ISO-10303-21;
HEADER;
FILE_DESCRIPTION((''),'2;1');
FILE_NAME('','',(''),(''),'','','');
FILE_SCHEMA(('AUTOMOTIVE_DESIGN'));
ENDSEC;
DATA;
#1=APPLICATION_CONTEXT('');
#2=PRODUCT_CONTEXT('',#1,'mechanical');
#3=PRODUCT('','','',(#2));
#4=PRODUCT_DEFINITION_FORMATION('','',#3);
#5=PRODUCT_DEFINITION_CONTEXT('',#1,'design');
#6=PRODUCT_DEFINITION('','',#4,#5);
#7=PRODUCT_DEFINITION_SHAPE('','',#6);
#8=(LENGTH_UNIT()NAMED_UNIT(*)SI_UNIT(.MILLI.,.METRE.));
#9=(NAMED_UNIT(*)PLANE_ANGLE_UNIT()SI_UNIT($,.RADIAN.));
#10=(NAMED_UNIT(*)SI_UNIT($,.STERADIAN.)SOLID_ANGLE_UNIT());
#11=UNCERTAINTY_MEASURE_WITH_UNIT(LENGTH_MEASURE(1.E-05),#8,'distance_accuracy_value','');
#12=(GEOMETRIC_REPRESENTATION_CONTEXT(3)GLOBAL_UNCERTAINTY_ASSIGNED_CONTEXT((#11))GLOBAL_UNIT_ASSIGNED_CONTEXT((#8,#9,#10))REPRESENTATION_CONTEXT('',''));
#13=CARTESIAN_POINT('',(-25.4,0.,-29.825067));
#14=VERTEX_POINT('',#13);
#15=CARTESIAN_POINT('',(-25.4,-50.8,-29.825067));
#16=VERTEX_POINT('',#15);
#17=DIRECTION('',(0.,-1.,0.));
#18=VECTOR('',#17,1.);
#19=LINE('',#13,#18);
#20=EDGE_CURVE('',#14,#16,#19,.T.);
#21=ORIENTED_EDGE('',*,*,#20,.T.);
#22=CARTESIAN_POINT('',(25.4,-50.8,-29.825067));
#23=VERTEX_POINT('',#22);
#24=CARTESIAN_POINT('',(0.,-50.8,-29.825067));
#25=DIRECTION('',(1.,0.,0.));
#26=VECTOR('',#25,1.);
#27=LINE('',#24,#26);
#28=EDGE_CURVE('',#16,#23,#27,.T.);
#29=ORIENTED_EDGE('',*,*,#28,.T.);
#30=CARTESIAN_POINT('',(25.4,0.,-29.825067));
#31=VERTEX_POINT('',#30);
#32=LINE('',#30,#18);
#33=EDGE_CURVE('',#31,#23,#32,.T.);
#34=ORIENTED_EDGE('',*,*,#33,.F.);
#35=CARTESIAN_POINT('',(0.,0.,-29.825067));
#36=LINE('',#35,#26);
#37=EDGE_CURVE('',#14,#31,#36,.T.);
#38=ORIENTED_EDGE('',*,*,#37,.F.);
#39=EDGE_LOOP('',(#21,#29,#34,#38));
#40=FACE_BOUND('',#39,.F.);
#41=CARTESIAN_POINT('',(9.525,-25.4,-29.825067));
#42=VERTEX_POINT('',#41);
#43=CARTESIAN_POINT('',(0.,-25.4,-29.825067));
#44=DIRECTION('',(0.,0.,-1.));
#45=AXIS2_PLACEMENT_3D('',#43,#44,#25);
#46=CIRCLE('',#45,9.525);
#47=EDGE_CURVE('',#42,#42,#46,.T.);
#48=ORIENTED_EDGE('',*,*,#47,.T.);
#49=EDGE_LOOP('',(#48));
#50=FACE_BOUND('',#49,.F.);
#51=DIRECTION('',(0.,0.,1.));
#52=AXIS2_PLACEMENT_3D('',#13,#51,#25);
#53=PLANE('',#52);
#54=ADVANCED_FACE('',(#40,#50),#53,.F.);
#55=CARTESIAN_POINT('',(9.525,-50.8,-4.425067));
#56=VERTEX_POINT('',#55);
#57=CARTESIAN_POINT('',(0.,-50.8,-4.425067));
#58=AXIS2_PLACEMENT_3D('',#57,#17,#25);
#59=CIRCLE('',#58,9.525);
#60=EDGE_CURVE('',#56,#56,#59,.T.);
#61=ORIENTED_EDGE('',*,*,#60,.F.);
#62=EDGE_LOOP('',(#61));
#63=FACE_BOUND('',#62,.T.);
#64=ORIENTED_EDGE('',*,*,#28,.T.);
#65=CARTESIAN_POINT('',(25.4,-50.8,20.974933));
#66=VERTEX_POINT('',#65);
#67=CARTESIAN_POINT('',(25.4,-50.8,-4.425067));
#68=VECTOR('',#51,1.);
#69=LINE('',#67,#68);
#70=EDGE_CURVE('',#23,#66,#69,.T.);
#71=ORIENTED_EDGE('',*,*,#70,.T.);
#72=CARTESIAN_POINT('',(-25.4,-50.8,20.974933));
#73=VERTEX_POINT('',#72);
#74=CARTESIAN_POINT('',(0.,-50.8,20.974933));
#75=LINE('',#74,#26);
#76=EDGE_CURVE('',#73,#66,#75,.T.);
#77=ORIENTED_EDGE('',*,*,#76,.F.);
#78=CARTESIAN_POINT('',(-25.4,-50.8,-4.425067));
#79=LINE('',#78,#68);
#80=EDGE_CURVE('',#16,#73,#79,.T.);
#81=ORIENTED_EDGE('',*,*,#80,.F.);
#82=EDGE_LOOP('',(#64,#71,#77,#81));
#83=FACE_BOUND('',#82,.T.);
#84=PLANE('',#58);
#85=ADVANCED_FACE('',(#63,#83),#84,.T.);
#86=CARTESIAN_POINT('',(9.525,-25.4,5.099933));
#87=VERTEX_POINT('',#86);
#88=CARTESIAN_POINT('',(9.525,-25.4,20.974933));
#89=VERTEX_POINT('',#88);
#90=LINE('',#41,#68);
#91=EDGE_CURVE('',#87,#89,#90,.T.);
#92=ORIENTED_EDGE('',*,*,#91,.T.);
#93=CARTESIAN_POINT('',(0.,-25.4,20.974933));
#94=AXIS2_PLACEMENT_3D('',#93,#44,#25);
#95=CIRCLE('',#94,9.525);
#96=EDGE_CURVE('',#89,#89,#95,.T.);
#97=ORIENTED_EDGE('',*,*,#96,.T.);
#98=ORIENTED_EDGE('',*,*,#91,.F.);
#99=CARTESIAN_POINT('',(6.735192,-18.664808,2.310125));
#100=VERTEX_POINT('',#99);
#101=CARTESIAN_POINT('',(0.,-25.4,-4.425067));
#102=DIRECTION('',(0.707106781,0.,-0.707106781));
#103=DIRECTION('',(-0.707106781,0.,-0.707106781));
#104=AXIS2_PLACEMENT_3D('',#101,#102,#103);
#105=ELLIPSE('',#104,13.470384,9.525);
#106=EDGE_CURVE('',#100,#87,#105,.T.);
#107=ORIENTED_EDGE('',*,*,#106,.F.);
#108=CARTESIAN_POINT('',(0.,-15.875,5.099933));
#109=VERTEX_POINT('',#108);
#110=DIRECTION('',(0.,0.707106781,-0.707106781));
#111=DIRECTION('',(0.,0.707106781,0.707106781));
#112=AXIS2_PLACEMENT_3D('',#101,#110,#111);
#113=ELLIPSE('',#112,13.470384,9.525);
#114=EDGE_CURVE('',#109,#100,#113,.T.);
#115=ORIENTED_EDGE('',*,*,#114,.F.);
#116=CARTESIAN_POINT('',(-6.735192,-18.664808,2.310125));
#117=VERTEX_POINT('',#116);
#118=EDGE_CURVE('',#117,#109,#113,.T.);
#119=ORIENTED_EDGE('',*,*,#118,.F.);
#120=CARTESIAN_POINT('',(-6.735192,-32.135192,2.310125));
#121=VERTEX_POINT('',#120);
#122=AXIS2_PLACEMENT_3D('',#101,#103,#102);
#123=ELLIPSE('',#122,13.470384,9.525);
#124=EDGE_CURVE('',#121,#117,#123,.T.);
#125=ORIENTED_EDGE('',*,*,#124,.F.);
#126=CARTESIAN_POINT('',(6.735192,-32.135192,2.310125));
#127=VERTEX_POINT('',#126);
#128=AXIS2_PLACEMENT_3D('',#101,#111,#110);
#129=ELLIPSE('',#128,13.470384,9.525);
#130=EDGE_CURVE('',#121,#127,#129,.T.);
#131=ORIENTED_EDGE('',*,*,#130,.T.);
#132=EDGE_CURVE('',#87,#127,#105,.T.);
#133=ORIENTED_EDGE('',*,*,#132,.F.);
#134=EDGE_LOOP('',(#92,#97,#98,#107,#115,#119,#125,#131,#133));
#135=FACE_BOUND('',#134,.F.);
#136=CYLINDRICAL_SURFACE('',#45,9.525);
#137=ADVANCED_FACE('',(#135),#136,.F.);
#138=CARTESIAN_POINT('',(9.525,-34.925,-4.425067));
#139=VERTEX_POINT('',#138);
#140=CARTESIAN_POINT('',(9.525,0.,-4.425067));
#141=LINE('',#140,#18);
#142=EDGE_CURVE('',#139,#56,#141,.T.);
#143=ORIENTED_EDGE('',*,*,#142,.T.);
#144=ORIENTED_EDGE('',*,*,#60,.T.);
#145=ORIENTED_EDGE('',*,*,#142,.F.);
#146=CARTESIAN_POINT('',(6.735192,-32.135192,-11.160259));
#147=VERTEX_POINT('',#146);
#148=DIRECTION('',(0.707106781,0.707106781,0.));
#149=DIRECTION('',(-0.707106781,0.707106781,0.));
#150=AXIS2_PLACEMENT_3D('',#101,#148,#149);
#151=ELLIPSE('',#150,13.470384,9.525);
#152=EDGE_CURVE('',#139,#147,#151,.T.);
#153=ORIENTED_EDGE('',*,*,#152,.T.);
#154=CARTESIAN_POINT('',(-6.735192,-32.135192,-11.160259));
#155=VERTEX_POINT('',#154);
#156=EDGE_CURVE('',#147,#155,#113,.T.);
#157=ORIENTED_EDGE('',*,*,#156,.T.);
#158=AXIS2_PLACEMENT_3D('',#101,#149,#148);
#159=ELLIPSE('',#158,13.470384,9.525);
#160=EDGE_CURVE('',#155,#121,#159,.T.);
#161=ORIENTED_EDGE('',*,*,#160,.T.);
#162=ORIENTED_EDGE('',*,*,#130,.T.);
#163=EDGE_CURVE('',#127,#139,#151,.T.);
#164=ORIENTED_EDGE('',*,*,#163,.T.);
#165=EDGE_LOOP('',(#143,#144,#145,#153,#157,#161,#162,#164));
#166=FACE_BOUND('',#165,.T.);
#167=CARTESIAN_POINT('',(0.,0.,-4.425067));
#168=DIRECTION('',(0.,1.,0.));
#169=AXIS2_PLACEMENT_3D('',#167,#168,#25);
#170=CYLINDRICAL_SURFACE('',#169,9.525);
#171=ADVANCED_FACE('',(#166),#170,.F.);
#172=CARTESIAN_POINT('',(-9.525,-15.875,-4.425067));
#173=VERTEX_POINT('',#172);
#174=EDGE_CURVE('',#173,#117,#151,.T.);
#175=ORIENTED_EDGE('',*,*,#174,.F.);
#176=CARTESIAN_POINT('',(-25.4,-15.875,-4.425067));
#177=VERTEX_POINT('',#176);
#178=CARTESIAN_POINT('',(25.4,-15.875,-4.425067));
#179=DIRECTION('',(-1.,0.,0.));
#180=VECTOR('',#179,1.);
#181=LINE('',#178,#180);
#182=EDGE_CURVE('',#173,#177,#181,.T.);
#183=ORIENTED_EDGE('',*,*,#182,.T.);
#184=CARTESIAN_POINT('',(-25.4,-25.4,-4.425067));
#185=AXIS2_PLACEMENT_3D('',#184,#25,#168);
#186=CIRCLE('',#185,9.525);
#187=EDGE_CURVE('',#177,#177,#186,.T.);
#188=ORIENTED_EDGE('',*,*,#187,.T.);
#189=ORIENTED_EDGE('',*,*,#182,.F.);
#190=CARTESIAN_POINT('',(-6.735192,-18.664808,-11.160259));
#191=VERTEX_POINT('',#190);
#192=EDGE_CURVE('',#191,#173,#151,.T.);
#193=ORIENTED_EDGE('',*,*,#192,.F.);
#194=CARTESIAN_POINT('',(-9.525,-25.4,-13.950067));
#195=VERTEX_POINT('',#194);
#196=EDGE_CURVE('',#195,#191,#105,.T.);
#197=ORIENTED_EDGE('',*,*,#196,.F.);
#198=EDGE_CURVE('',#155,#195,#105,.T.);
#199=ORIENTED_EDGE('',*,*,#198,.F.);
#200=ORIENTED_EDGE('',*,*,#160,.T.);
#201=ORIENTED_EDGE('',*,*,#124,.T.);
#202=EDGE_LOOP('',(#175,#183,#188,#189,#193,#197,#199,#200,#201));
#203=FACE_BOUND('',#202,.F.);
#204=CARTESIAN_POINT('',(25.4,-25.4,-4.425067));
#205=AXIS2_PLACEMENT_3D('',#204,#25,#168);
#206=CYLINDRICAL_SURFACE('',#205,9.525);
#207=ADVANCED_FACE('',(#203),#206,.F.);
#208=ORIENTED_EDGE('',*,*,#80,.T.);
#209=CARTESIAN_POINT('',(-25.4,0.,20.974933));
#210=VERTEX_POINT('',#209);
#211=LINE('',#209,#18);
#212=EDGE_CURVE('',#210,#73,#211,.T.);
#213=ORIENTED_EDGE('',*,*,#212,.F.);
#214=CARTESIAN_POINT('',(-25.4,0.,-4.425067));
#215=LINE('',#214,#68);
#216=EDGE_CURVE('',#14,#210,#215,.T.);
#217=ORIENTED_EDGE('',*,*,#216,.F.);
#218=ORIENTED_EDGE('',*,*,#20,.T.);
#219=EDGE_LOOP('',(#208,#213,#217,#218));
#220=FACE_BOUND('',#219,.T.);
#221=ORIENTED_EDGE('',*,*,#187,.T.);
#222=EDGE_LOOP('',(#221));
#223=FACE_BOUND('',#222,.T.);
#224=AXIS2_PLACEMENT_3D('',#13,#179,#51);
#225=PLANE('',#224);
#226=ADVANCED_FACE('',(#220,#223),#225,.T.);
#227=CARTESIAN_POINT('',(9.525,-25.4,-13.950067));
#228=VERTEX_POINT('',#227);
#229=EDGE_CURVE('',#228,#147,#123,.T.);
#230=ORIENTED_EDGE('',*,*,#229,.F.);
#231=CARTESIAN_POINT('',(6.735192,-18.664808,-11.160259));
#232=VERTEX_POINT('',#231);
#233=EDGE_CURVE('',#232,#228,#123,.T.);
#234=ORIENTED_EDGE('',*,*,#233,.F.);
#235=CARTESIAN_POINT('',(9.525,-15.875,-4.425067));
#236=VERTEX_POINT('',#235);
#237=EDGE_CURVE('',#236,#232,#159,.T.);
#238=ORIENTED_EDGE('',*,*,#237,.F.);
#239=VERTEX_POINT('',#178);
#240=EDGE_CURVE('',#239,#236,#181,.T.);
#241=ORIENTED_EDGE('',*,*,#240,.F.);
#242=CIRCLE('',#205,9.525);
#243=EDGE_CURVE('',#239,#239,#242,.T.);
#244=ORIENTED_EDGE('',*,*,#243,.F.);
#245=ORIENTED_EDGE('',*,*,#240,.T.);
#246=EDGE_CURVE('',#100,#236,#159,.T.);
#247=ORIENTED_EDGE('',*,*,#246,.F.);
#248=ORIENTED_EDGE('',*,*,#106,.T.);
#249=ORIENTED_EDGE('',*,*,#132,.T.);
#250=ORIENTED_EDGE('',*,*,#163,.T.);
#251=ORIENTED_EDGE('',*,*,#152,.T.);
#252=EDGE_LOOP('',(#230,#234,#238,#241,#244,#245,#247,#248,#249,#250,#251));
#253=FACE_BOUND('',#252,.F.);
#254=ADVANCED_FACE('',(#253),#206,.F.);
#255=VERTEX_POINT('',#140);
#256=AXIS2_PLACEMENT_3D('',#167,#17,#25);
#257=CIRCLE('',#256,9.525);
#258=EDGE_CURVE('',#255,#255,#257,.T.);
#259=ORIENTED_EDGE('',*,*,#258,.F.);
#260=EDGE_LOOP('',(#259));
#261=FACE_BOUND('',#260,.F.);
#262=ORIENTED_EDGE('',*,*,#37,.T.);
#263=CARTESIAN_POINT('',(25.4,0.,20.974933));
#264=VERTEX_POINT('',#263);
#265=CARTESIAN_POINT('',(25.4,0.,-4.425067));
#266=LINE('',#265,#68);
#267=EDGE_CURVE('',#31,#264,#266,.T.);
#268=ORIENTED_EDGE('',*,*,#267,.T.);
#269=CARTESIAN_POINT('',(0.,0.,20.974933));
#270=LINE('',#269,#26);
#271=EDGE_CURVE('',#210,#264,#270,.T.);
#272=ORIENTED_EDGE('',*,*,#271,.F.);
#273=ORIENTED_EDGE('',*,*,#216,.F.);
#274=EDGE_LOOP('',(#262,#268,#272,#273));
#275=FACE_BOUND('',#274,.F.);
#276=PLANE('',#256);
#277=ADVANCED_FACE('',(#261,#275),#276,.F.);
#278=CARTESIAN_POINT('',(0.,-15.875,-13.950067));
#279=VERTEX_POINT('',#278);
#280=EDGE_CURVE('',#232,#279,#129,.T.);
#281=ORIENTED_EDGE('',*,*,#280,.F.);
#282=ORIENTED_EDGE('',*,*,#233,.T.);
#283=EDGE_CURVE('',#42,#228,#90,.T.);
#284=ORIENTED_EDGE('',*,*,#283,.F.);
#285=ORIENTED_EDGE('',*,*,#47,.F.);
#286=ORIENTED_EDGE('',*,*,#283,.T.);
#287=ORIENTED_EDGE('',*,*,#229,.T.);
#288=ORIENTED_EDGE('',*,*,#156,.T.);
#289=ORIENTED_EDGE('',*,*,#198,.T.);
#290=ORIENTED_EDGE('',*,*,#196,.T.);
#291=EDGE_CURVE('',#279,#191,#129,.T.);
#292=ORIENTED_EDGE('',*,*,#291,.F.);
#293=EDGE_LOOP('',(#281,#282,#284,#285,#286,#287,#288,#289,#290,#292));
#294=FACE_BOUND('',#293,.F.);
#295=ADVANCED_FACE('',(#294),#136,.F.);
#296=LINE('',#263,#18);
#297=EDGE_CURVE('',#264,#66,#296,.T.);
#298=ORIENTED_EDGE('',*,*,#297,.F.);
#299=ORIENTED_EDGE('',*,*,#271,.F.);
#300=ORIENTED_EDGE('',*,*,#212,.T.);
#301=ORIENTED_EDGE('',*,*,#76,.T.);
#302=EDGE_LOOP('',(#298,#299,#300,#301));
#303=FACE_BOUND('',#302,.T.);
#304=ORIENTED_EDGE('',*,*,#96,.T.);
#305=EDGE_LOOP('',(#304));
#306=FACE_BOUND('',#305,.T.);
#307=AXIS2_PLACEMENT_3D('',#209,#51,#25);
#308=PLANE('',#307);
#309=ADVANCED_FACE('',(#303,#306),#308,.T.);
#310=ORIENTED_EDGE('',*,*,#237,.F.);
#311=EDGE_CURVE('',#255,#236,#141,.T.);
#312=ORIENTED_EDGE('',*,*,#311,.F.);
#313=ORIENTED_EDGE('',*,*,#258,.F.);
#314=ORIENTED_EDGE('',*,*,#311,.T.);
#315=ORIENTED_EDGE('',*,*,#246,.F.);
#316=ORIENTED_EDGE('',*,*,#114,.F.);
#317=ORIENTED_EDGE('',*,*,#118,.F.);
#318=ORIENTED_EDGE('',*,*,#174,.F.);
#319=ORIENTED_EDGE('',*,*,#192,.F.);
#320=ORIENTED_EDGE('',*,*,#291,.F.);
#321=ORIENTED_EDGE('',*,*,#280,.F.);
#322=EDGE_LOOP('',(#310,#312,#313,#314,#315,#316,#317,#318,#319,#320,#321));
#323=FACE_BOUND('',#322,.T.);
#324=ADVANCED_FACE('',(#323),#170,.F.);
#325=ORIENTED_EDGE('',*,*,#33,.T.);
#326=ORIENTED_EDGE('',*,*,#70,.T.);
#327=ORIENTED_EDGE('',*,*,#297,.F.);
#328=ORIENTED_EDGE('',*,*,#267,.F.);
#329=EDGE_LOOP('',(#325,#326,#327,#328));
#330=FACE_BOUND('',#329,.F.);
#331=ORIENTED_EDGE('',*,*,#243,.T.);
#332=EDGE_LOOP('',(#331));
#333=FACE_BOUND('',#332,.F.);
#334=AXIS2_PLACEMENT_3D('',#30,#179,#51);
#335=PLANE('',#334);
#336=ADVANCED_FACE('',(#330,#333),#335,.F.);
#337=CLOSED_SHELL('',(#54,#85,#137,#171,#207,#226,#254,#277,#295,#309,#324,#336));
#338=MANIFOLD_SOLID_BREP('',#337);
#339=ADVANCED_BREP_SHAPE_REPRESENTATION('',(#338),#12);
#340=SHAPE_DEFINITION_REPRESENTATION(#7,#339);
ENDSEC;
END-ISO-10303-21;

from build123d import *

# Parameters (mm, degrees)
F0_W     = 50.8
F0_H     = 50.8
F0_R     = 9.525
F1_DEPTH = 50.8
F2_R     = 9.525
F3_DEPTH = 50.8
F4_R     = 9.525
F5_DEPTH = 50.8


with BuildPart() as f1:
    # F0 (on Front) → F1 (new body)
    with BuildSketch(Plane.XZ):
        with Locations((0, -4.425067)):
            Rectangle(F0_W, F0_H)
        with Locations((0, -4.425067)):
            Circle(F0_R, mode=Mode.SUBTRACT)
    extrude(amount=F1_DEPTH)

    # F2 (on face) → F3 (cut)
    with BuildSketch(Plane(origin=(0, 0, -29.825067), x_dir=(1, 0, 0), z_dir=(0, 0, -1))):
        with Locations((0, 25.4)):
            Circle(F2_R)
    extrude(amount=-F3_DEPTH, mode=Mode.SUBTRACT)

    # F4 (on face) → F5 (cut)
    with BuildSketch(Plane.YZ.offset(25.4)):
        with Locations((-25.4, -4.425067)):
            Circle(F4_R)
    extrude(amount=-F5_DEPTH, mode=Mode.SUBTRACT)


solid = f1.part
